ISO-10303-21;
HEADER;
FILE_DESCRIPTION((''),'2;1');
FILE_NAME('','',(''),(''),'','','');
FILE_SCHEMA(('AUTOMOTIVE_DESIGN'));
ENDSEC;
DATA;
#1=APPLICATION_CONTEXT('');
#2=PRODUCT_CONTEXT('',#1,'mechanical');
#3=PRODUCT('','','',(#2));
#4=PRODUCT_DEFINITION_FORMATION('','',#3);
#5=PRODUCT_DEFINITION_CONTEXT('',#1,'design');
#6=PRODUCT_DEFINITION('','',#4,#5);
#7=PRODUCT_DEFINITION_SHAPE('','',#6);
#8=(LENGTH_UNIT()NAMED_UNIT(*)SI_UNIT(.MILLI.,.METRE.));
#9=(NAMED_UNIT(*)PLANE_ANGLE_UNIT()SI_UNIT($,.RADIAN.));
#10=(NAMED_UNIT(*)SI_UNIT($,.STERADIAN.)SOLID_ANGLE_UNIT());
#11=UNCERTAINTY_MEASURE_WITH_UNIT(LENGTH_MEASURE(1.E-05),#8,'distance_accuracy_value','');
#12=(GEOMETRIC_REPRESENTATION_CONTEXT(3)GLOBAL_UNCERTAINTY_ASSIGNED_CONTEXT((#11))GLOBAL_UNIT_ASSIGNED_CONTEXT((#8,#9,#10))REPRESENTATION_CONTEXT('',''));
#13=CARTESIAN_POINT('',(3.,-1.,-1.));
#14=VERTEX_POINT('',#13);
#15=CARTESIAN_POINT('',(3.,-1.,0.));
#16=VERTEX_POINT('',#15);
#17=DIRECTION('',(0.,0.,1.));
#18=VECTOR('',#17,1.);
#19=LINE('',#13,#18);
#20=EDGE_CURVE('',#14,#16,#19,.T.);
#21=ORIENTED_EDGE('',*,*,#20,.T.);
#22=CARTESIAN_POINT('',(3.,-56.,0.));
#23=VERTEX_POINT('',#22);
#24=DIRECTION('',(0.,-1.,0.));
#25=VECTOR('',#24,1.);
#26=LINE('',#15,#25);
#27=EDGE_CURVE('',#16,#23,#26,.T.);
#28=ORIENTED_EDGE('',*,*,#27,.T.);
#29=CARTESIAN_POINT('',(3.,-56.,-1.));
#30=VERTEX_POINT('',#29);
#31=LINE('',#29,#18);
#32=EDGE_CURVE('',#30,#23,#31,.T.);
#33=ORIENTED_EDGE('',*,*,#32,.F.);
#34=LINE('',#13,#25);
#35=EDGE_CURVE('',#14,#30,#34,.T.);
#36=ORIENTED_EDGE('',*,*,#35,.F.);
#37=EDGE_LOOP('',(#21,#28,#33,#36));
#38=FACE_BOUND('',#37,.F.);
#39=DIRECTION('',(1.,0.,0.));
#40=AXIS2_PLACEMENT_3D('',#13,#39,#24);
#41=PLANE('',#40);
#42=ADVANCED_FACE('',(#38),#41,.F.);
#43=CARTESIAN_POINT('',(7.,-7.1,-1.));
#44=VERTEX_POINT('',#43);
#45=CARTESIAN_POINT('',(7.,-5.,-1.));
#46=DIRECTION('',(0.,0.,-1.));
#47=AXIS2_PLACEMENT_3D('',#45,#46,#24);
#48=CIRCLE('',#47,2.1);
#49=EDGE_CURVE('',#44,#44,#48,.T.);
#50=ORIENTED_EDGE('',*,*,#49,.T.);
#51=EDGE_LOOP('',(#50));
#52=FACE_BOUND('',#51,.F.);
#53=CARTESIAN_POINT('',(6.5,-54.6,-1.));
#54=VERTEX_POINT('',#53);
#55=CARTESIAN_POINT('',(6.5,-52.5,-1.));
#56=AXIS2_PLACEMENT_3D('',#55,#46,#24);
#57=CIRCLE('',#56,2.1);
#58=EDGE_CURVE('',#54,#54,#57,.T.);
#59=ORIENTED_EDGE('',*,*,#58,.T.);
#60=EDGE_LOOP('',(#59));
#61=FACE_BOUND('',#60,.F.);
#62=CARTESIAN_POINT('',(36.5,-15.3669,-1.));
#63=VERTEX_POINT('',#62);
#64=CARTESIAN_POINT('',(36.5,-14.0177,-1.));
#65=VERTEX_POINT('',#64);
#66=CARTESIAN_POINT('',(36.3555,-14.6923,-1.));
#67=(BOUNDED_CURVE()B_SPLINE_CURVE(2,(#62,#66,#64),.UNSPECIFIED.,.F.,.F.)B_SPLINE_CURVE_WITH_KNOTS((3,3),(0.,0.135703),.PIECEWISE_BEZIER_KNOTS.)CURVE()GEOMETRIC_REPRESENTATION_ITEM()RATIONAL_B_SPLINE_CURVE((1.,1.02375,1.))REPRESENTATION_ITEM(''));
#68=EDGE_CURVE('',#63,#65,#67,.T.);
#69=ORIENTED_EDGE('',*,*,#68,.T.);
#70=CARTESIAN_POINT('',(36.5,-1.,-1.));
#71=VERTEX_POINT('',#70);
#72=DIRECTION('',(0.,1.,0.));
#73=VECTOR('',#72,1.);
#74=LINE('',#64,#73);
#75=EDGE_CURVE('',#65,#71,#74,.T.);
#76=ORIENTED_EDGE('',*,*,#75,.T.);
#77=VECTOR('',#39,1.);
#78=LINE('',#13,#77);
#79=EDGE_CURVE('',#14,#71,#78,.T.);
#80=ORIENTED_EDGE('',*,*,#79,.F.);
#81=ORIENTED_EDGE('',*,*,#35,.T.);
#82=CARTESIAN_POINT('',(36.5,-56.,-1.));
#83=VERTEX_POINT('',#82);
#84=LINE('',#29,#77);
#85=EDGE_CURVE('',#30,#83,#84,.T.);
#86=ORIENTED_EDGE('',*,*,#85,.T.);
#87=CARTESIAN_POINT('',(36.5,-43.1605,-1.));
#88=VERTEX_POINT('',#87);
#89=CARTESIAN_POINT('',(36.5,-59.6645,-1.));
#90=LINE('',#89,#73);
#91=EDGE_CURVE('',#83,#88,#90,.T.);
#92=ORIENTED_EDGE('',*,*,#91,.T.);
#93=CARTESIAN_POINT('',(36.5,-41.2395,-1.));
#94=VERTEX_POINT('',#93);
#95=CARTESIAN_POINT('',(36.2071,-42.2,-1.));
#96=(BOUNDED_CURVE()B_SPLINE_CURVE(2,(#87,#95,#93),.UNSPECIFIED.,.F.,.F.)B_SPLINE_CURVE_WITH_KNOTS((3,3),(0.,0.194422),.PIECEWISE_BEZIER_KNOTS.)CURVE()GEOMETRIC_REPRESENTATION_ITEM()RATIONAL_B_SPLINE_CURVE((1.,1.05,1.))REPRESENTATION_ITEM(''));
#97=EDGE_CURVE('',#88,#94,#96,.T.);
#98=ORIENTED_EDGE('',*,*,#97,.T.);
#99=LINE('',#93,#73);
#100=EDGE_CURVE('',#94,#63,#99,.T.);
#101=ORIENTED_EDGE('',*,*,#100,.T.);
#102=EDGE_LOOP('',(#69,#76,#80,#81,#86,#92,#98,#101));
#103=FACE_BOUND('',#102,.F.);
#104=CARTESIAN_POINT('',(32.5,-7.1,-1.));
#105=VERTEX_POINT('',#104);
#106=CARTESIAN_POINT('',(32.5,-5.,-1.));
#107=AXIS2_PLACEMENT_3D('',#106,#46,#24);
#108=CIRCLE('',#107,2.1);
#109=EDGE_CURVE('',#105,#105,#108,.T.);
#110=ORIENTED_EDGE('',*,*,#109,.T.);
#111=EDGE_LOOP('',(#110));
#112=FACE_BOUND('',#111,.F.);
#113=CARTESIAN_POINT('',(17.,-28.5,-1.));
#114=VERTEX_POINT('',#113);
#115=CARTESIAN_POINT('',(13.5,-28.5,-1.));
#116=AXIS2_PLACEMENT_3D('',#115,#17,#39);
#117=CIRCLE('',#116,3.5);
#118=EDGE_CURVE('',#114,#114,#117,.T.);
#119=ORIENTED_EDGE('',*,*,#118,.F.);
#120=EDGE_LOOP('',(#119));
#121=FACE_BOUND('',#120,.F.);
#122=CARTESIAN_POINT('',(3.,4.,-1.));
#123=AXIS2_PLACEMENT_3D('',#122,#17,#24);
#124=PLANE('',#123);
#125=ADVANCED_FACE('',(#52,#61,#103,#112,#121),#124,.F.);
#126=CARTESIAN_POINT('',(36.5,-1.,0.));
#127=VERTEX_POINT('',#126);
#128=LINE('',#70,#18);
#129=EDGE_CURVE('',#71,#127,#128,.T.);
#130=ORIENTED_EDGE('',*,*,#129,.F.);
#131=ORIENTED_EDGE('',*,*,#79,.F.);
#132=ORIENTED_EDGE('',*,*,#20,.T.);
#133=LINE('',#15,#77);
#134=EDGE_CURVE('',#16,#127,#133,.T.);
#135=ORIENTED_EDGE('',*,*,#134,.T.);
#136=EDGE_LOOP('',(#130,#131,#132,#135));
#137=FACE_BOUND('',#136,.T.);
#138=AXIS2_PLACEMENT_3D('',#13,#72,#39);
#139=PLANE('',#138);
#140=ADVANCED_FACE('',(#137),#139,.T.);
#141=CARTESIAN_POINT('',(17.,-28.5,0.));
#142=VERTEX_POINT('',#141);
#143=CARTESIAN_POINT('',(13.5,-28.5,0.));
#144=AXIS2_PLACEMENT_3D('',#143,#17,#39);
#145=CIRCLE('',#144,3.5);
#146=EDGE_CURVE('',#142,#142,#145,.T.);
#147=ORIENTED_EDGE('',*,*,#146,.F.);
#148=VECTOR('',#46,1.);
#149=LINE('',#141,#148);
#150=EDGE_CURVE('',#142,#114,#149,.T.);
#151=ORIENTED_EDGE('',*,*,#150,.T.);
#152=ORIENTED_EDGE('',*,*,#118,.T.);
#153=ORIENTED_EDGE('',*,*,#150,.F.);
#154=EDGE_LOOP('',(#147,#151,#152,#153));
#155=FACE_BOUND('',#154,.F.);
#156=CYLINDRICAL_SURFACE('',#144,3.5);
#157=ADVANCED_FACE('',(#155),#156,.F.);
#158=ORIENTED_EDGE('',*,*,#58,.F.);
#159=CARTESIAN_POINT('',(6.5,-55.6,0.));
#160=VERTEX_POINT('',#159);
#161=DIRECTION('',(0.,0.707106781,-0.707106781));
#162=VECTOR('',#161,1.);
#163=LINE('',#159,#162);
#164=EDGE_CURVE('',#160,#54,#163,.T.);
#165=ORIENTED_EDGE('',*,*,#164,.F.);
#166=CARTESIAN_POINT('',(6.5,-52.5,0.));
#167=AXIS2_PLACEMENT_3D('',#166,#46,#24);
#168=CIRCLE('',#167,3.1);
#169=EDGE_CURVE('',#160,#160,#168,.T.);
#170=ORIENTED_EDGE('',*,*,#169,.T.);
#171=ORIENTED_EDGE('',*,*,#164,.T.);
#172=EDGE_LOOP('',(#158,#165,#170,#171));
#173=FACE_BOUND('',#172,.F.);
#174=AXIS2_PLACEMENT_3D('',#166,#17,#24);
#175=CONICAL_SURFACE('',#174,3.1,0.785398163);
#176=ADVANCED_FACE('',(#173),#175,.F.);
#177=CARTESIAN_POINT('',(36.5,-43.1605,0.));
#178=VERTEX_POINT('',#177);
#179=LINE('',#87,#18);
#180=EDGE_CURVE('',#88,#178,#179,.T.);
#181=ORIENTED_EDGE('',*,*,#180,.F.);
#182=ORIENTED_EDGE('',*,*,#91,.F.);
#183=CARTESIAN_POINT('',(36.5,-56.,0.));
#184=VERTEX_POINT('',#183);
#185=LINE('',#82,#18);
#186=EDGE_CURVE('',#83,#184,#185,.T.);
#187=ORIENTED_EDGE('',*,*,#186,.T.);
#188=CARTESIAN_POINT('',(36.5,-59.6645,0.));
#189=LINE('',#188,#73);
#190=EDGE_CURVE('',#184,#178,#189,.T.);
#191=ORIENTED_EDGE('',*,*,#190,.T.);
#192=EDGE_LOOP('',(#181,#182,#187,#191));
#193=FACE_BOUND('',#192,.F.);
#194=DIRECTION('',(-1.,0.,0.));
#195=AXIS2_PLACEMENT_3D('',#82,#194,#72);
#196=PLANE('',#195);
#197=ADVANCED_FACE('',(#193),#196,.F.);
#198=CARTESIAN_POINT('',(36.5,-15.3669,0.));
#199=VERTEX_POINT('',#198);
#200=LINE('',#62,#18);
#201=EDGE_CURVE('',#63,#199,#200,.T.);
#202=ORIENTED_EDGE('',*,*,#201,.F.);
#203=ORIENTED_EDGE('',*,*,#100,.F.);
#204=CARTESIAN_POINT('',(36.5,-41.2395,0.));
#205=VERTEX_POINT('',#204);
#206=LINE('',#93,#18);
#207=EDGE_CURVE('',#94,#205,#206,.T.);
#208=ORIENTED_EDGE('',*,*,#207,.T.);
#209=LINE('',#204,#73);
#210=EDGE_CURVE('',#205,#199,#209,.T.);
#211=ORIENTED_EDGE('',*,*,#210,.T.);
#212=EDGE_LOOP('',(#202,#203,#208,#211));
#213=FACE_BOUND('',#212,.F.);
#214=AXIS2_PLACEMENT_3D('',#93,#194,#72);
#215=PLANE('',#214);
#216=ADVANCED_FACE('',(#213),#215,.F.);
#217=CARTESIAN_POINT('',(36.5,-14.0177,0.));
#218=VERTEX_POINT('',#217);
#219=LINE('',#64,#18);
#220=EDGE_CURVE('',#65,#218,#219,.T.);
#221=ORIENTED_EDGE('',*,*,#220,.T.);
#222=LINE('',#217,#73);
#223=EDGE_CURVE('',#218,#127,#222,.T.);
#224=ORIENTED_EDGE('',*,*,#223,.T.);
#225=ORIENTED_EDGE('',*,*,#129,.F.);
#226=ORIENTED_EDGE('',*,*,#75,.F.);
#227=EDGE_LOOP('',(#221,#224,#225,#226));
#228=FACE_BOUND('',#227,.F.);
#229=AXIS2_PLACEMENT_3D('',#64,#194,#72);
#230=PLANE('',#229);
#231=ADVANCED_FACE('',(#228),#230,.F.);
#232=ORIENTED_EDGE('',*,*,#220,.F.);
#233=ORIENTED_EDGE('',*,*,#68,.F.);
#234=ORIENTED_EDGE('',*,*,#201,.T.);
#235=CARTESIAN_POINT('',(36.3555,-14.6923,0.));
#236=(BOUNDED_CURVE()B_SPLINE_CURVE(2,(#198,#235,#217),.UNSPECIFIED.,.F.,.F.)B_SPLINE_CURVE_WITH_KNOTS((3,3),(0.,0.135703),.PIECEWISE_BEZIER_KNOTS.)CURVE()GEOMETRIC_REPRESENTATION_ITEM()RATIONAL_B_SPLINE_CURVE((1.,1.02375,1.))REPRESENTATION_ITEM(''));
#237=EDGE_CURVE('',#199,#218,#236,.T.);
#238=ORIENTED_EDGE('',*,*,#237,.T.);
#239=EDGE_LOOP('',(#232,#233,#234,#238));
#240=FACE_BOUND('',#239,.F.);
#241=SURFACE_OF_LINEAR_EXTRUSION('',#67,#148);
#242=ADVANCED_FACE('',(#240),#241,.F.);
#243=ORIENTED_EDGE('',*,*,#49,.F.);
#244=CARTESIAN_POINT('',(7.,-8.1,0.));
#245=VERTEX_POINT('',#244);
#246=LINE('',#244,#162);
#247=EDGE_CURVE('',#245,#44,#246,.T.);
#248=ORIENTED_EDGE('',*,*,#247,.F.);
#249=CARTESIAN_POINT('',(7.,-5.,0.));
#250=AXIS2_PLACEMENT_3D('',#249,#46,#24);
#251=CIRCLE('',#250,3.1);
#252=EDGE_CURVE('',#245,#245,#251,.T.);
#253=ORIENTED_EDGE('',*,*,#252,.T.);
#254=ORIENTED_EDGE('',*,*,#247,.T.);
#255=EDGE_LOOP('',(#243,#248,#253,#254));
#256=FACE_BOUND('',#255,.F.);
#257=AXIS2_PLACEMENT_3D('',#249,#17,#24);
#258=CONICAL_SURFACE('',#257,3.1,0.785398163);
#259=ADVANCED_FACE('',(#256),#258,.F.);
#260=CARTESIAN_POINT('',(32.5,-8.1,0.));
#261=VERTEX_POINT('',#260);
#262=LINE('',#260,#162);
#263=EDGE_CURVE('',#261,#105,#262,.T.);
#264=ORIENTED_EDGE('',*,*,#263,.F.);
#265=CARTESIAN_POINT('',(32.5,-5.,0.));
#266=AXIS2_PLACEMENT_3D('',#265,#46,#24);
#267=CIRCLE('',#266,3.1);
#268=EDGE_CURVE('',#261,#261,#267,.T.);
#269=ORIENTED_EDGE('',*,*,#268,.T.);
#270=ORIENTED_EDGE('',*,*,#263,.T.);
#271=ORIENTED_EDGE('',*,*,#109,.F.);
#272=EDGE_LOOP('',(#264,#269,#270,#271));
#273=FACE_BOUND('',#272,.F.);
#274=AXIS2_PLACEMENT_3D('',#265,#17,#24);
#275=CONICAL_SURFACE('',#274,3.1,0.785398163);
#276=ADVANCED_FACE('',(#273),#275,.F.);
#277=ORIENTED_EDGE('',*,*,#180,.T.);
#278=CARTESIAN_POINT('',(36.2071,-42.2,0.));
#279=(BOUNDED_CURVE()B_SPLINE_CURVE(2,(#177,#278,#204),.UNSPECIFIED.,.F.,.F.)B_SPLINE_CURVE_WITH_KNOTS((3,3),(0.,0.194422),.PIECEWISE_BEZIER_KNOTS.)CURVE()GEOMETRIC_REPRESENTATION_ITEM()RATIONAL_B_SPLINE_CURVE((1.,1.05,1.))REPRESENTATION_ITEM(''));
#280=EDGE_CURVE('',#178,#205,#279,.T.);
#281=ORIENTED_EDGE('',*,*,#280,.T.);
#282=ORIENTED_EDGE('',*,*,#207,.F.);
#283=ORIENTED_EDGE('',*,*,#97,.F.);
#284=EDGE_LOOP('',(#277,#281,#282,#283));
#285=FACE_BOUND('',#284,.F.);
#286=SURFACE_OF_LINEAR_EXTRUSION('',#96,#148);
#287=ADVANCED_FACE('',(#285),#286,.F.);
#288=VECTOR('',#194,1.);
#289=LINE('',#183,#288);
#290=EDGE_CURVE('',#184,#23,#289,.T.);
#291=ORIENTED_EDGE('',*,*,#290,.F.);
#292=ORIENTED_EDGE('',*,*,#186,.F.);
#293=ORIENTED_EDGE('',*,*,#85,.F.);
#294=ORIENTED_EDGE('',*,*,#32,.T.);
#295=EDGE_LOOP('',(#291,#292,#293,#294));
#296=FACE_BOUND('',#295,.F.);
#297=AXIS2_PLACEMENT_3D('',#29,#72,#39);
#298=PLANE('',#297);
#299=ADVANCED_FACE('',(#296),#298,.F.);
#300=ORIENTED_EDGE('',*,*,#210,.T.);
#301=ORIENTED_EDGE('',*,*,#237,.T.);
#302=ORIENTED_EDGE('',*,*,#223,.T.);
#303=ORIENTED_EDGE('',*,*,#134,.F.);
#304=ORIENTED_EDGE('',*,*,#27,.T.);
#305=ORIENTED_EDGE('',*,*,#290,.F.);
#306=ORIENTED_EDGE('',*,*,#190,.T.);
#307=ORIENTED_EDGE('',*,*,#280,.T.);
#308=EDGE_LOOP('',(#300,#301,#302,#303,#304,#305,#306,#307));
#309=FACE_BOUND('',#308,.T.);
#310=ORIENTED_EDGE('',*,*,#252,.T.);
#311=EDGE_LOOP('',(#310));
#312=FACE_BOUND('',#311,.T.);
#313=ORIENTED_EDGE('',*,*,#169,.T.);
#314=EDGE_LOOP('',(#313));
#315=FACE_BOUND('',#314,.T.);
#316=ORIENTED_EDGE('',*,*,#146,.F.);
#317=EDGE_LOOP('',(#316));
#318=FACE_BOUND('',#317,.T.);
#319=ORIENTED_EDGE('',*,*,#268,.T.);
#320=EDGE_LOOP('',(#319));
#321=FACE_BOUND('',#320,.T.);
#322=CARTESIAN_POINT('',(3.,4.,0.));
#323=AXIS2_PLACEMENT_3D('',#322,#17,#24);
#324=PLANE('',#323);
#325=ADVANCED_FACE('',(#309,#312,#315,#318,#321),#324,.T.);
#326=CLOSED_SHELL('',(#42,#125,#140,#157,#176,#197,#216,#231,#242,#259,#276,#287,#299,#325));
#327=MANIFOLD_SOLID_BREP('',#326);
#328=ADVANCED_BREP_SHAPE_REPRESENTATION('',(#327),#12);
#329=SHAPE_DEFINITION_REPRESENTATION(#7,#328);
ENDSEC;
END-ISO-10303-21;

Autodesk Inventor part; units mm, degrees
ref_plane "YZ Plane" through (0, 0, 0) normal (1, 0, 0) x (0, 1, 0)
ref_plane "XZ Plane" through (0, 0, 0) normal (0, 1, 0) x (-1, 0, 0)
ref_plane "XY Plane" through (0, 0, 0) normal (0, 0, 1) x (1, 0, 0)
ref_plane "Work Plane1" through (3, 4, -1) normal (0, 0, 1) x (0, -1, 0)
sketch "Sketch1" plane through (3, 4, -1) normal (0, 0, 1) x (0, -1, 0)
  line L0 (87.75, 33.5) -> (84.9105, 33.5) projected
  line L1 (5, 0) -> (5, 33.5) projected
  line L2 (5, 0) -> (87.75, 0) projected
  line L3 (5, 0) -> (60, 0) projected
  line L4 (5, -3) -> (5, 0) projected
  line L5 (4, -3) -> (60, -3) projected
  line L6 (60, -3) -> (60, 0) projected
  line L7 (60, 0) -> (61.551, 0) projected
  circle A0 centre (74.375, 17.375) radius 6.75 projected
  line L8 (60, 0) -> (60, 33.5)
  circle A1 centre (32.5, 10.5) radius 5.5 projected
  circle A2 centre (9, 4) radius 2.1 projected
  circle A3 centre (9, 29.5) radius 2.1 projected
  circle A4 centre (56.5, 3.5) radius 2.1 projected
  line L9 (82.9895, 33.5) -> (65.5855, 33.5) projected
  line L10 (63.6645, 33.5) -> (47.1605, 33.5) projected
  spline S0 degree 2 poles (47.1605, 33.5) (46.2, 33.2071) (45.2395, 33.5) knots 0 0 0 0.194422 0.194422 0.194422 weights 1 1.05 1 projected
  line L11 (45.2395, 33.5) -> (19.3669, 33.5) projected
  spline S1 degree 2 poles (19.3669, 33.5) (18.6923, 33.3555) (18.0177, 33.5) knots 0 0 0 0.135703 0.135703 0.135703 weights 1 1.02375 1 projected
  spline S2 degree 2 poles (84.9105, 33.5) (83.95, 33.2071) (82.9895, 33.5) knots 0 0 0 0.194422 0.194422 0.194422 weights 1 1.05 1 projected
  spline S3 degree 2 poles (65.5855, 33.5) (64.625, 33.2071) (63.6645, 33.5) knots 0 0 0 0.194422 0.194422 0.194422 weights 1 1.05 1 projected
  line L12 (87.75, 0) -> (87.75, 33.5) projected
  line L13 (18.0177, 33.5) -> (5, 33.5) projected
  arc A5 (60, 1.551) -> (61.551, 0) centre (62.75, 2.75) ccw projected
  line L14 (60, 1.551) -> (60, 0) projected
  point P0 (89.75, 33.5)
  point P1 (52, 0)
  point P2 (64.076, 0)
  point P3 (87.674, 0)
  point P4 (63.25, 3.25)
  point P5 (86.9105, 33.5)
  point P6 (84.9895, 33.5)
  point P7 (63.949, 0)
  point P8 (84.801, 0)
extrude "Extrusion1" add sketch "Sketch1" along normal blind 1 contours L2 L1 L13 S1 L11 S0 L10 L8 | A1 | A2 | A3 | A4
sketch "Sketch2" plane through (3, 4, 0) normal (0, 0, 1) x (1, 0, 0)
  line L0 (12.5287, -34.71) -> (8.4496, -34.6899)
  arc A0 (8.4713, -30.29) -> (8.4496, -34.6899) centre (10.5, -32.5) ccw
  line L1 (8.4713, -30.29) -> (12.5504, -30.3101)
  arc A1 (12.5287, -34.71) -> (12.5504, -30.3101) centre (10.5, -32.5) ccw
  circle A2 centre (10.5, -32.5) radius 3
  circle A3 centre (10.5, -32.5) radius 3.5
  point P0 (-3, -4)
  dimension "d5" = 0.5
extrude "Extrusion2" cut sketch "Sketch2" against normal up to next contours A2 L0 | L0 A0 L1 A1 | A2 L1 | A3
sketch "Sketch3" plane through (3, 4, 0) normal (0, 0, 1) x (1, 0, 0)
  circle A0 centre (10.5, -32.5) radius 3.5 projected
  line L0 (0, -5) -> (0, -60) projected
  line L1 (33.5, -5) -> (0, -5) projected
  circle A1 centre (3.5, -56.5) radius 3.5
  circle A2 centre (4, -9) radius 4
  circle A3 centre (3.5, -56.5) radius 2.6
  circle A4 centre (4, -9) radius 2.6
  circle A5 centre (29.5, -9) radius 4
  circle A6 centre (29.5, -9) radius 2.6
  line L2 (33.5, -60) -> (33.5, -47.1605) projected
  line L3 (33.5, -45.2395) -> (33.5, -19.3669) projected
  line L4 (33.5, -18.0177) -> (33.5, -5) projected
  line L5 (0, -60) -> (33.5, -60) projected
  point P0 (-3, -4)
  dimension "d8" = 7
  dimension "d17" = 8
  dimension "d18" = 5.2
  dimension "d19" = 5.2
  dimension "d20" = 4
  dimension "d21" = 4
  dimension "d22" = 8
  dimension "d23" = 5.2
  dimension "d25" = 4
hole "Hole1" at (6.5, -52.5, 0) at (7, -5, 0) at (32.5, -5, 0) direction (0, 0, -1) diameter 3.6 end through all countersink diameter 6.2 countersink angle 90 clearance for "Countersunk Flat Head Screw ISO 2009/7046" size "M3" standard "ISO"
properties part number "right_metal_gear_bracker" material "Aluminum 6061"
